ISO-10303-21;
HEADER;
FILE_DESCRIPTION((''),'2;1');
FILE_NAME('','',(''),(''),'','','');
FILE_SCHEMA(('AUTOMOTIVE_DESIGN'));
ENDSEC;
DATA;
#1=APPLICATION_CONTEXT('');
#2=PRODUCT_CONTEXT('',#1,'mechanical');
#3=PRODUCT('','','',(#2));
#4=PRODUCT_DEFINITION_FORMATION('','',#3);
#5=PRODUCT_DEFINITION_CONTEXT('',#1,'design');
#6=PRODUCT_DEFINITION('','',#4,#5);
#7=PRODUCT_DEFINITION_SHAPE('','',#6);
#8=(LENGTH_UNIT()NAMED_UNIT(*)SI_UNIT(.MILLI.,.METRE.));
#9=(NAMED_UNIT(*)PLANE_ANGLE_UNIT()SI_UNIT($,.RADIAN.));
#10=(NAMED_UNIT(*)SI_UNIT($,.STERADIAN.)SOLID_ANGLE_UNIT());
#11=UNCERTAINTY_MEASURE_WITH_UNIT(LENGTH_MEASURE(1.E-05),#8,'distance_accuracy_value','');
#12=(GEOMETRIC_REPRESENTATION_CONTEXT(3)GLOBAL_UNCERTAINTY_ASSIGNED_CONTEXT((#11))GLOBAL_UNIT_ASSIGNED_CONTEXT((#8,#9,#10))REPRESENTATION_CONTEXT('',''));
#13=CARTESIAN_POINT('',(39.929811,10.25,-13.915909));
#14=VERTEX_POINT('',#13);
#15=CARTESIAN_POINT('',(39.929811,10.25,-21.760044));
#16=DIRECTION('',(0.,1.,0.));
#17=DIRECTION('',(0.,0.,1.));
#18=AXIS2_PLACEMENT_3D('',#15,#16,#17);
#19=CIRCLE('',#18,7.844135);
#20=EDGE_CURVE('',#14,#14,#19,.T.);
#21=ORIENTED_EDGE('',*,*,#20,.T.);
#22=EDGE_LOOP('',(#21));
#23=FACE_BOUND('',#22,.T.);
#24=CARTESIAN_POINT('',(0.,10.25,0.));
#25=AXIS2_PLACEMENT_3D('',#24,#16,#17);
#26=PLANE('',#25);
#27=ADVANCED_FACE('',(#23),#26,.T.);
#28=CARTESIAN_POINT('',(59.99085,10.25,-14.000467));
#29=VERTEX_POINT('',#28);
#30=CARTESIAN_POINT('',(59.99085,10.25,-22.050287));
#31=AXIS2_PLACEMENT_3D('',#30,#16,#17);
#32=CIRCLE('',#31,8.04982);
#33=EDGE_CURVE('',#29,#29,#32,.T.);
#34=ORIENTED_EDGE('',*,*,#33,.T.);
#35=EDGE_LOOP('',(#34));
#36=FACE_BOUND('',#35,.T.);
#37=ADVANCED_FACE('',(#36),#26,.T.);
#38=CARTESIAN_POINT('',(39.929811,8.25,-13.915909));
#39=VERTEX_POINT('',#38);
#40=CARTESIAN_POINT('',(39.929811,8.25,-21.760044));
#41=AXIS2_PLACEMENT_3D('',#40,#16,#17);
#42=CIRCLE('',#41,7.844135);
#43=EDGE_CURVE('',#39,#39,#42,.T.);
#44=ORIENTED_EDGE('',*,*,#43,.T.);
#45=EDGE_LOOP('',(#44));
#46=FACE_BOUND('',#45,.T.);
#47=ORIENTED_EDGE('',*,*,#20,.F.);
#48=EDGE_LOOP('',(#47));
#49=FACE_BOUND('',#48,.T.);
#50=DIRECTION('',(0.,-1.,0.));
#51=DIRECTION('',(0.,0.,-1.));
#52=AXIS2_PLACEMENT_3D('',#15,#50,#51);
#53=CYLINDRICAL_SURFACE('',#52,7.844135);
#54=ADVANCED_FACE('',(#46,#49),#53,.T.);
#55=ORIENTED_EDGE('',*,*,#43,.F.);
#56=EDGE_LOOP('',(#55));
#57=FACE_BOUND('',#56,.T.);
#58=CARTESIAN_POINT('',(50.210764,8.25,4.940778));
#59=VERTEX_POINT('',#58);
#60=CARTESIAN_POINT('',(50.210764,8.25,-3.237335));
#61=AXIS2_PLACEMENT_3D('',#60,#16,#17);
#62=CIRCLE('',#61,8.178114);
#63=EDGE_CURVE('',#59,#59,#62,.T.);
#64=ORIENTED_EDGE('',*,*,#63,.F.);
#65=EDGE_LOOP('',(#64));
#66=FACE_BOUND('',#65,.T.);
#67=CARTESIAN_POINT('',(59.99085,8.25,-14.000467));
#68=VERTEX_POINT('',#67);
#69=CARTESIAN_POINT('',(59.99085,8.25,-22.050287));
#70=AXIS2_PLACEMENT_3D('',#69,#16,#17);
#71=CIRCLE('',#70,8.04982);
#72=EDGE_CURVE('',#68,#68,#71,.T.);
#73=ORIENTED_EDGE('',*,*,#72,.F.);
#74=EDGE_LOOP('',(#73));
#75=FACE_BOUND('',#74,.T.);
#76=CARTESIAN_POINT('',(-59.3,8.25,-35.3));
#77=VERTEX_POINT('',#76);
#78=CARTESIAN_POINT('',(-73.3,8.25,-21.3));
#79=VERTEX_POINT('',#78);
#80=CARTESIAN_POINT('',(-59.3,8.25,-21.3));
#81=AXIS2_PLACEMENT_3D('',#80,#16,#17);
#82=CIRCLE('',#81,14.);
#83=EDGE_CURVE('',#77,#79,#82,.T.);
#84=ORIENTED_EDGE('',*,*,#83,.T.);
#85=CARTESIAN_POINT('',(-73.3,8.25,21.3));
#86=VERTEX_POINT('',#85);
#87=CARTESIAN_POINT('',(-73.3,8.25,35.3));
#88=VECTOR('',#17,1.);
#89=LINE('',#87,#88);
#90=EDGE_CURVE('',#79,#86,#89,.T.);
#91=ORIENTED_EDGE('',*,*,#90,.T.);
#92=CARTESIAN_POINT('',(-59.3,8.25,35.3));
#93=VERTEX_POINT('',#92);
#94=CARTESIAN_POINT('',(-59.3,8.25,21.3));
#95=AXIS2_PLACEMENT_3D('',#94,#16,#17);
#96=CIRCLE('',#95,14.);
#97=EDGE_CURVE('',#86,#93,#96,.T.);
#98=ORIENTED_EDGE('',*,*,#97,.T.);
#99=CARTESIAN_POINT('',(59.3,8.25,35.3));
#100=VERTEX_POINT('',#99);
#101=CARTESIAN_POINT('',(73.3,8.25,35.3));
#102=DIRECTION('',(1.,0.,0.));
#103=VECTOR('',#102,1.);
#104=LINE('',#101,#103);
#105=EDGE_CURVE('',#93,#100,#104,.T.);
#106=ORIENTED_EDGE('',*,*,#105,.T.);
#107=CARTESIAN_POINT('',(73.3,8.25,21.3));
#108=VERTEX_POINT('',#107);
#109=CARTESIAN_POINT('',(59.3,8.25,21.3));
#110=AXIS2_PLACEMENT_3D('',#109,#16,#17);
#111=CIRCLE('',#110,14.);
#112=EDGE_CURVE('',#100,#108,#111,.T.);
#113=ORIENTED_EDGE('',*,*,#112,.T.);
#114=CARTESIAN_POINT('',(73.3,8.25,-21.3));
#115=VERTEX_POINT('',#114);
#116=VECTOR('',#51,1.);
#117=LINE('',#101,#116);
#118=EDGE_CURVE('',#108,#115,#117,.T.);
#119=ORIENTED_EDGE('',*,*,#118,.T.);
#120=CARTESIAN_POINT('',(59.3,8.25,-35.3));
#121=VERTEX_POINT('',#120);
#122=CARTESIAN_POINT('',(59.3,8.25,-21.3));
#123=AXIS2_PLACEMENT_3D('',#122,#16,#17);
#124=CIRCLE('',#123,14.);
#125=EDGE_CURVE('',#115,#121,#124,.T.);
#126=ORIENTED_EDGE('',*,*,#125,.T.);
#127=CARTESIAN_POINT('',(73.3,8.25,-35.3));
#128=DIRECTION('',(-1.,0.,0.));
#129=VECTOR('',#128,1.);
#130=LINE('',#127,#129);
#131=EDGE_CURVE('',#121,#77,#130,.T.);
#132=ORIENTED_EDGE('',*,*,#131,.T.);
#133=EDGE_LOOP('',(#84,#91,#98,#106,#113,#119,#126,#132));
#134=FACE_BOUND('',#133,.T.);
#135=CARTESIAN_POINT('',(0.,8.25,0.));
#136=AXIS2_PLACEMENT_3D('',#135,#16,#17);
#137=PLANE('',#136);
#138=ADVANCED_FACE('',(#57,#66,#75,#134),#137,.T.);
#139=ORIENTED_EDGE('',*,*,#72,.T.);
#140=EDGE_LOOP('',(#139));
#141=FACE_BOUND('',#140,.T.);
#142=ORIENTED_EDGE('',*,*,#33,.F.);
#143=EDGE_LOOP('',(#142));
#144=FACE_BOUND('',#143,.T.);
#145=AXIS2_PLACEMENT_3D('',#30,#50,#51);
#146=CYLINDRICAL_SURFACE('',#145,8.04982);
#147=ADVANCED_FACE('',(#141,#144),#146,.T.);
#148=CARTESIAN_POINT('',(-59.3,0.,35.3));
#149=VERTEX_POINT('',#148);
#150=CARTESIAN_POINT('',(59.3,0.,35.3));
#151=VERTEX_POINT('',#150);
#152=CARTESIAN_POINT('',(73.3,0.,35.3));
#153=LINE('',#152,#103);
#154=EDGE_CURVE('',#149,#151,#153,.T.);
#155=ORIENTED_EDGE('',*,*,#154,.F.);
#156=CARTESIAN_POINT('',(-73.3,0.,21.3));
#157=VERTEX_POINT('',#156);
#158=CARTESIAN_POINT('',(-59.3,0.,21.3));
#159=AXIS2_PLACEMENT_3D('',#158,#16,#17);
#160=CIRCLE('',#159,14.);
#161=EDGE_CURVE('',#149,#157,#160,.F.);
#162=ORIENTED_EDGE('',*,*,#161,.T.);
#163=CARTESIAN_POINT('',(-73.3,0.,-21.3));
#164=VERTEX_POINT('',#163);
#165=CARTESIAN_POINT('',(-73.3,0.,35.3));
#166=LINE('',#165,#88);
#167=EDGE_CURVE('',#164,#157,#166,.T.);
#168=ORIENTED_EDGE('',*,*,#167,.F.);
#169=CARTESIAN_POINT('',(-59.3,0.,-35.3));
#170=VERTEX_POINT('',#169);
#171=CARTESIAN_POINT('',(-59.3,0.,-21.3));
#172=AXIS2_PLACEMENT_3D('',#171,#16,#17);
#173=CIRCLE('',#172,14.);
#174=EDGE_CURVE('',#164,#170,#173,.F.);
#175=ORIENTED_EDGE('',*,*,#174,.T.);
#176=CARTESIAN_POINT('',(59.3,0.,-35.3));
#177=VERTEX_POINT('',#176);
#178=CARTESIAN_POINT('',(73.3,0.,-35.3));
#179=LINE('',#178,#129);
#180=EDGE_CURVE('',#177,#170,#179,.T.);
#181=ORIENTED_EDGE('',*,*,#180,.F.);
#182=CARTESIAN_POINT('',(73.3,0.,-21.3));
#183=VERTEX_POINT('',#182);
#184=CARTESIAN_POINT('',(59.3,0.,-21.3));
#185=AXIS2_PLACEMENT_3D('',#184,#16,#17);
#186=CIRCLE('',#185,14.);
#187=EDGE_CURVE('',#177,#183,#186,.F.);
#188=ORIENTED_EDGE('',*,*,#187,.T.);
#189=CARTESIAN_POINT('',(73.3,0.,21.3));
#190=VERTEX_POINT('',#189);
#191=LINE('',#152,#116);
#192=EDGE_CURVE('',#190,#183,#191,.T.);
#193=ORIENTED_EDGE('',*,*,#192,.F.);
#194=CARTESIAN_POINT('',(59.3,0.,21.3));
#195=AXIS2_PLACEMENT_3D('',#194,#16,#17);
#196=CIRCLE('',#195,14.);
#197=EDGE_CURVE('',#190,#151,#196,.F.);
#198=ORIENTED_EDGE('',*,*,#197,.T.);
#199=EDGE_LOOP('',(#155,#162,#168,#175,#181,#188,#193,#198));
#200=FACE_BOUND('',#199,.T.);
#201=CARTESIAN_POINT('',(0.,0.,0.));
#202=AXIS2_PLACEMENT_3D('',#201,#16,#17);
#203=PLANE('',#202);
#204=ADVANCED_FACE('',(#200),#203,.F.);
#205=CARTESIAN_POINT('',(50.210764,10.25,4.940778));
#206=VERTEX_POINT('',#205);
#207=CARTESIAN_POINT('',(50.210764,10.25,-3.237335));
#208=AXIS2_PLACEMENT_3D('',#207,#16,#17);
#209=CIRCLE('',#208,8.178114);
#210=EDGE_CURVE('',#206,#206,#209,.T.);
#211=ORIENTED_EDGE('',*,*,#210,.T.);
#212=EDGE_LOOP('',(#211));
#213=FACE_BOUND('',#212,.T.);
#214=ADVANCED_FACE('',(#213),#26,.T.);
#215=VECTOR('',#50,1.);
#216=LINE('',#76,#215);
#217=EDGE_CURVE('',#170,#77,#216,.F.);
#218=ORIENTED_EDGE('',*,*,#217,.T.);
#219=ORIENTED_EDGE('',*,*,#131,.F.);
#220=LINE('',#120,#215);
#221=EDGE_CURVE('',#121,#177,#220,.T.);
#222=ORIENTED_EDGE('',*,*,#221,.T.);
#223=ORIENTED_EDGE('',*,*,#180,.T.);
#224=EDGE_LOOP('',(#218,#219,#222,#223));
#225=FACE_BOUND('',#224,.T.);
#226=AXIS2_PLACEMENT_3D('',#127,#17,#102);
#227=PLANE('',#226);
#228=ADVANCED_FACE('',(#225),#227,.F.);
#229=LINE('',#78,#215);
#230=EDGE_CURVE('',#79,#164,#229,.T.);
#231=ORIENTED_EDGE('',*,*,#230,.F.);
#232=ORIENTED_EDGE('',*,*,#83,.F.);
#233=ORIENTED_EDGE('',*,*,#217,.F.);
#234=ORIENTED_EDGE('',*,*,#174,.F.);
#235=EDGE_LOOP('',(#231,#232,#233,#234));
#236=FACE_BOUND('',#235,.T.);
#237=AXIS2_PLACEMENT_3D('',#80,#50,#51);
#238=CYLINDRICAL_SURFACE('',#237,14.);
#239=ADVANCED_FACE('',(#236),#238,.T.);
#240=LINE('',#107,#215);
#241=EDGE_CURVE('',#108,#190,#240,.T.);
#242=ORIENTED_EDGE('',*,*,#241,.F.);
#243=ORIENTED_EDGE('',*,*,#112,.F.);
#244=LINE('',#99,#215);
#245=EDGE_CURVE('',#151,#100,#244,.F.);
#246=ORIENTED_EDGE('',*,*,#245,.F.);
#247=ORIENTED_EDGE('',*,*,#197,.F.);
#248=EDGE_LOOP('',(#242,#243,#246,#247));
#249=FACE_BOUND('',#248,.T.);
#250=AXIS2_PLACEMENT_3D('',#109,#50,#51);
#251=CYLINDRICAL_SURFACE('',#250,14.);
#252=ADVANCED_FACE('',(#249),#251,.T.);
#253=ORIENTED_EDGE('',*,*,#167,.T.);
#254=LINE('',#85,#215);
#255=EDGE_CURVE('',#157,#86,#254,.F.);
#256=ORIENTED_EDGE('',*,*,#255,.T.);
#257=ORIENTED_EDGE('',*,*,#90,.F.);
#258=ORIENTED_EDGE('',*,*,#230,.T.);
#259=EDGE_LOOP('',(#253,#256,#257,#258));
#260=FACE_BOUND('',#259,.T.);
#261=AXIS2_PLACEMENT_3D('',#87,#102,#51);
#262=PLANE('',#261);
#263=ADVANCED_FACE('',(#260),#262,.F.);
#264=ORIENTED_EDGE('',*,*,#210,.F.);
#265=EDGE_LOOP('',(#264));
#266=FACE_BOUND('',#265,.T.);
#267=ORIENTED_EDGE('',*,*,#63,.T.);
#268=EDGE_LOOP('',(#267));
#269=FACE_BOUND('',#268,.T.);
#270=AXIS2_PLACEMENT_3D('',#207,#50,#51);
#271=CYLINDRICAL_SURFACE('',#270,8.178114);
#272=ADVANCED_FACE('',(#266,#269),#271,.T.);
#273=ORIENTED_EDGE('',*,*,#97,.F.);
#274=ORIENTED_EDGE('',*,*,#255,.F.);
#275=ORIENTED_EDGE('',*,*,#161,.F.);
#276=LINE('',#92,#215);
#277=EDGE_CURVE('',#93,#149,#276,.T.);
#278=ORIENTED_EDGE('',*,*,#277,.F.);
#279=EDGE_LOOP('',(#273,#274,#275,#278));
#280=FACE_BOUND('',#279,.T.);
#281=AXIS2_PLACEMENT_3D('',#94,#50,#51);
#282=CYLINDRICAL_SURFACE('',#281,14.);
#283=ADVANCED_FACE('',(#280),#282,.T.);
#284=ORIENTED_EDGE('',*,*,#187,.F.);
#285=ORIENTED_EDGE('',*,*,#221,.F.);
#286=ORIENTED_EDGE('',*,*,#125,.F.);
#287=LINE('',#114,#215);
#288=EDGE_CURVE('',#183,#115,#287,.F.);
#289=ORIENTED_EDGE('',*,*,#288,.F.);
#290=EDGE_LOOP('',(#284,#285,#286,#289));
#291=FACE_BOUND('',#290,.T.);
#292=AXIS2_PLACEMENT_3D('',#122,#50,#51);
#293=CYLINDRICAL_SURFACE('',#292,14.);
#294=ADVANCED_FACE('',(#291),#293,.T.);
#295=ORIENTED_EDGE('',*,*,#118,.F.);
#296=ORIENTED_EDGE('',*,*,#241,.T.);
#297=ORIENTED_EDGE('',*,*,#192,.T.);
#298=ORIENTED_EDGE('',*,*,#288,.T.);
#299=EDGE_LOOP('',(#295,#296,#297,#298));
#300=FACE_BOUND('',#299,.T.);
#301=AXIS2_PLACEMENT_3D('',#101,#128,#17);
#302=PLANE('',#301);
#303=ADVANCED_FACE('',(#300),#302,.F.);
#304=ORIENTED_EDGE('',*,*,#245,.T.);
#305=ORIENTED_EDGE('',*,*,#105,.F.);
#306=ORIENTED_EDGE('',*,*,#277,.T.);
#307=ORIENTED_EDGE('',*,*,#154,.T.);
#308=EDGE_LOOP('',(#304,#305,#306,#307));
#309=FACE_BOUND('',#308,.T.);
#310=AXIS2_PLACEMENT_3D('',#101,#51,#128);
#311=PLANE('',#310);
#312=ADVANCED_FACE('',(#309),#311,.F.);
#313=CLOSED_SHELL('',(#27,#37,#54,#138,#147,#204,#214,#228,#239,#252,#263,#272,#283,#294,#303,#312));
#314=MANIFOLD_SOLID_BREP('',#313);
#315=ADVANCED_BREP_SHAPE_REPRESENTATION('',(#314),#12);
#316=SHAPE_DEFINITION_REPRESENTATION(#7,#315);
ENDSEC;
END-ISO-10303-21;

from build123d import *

# Parameters (mm, degrees)
SKETCH1_W           = 146.6
SKETCH1_H           = 70.6
BOSS_EXTRUDE1_DEPTH = 8.25
FILLET1_R           = 14
SKETCH2_R           = 7.8441354
SKETCH2_R_2         = 8.049819652
SKETCH2_R_3         = 8.178113635
BOSS_EXTRUDE2_DEPTH = 2


with BuildPart() as part:
    # Sketch1 → Boss-Extrude1 (new body)
    with BuildSketch(Plane(origin=(0, 0, 0), x_dir=(1, 0, 0), z_dir=(0, 1, 0))):
        Rectangle(SKETCH1_W, SKETCH1_H)
    extrude(amount=BOSS_EXTRUDE1_DEPTH)

    # Fillet1
    fillet1_edges = [part.edges().sort_by_distance(p)[0] for p in [
        (-73.3, 4.125, -35.3),
        (73.3, 4.125, -35.3),
        (73.3, 4.125, 35.3),
        (-73.3, 4.125, 35.3),
    ]]
    fillet(fillet1_edges, radius=FILLET1_R)

    # Sketch2 → Boss-Extrude2 (add)
    with BuildSketch(Plane(origin=(0, 8.25, 0), x_dir=(1, 0, 0), z_dir=(0, 1, 0))):
        with Locations(Location((39.929810702, 21.760044193, 0), (0, 0, 270))):
            Circle(SKETCH2_R)
        with Locations(Location((59.990850443, 22.050286799, 0), (0, 0, 270))):
            Circle(SKETCH2_R_2)
        with Locations(Location((50.210763803, 3.237335299, 0), (0, 0, 270))):
            Circle(SKETCH2_R_3)
    extrude(amount=BOSS_EXTRUDE2_DEPTH)


solid = part.part
